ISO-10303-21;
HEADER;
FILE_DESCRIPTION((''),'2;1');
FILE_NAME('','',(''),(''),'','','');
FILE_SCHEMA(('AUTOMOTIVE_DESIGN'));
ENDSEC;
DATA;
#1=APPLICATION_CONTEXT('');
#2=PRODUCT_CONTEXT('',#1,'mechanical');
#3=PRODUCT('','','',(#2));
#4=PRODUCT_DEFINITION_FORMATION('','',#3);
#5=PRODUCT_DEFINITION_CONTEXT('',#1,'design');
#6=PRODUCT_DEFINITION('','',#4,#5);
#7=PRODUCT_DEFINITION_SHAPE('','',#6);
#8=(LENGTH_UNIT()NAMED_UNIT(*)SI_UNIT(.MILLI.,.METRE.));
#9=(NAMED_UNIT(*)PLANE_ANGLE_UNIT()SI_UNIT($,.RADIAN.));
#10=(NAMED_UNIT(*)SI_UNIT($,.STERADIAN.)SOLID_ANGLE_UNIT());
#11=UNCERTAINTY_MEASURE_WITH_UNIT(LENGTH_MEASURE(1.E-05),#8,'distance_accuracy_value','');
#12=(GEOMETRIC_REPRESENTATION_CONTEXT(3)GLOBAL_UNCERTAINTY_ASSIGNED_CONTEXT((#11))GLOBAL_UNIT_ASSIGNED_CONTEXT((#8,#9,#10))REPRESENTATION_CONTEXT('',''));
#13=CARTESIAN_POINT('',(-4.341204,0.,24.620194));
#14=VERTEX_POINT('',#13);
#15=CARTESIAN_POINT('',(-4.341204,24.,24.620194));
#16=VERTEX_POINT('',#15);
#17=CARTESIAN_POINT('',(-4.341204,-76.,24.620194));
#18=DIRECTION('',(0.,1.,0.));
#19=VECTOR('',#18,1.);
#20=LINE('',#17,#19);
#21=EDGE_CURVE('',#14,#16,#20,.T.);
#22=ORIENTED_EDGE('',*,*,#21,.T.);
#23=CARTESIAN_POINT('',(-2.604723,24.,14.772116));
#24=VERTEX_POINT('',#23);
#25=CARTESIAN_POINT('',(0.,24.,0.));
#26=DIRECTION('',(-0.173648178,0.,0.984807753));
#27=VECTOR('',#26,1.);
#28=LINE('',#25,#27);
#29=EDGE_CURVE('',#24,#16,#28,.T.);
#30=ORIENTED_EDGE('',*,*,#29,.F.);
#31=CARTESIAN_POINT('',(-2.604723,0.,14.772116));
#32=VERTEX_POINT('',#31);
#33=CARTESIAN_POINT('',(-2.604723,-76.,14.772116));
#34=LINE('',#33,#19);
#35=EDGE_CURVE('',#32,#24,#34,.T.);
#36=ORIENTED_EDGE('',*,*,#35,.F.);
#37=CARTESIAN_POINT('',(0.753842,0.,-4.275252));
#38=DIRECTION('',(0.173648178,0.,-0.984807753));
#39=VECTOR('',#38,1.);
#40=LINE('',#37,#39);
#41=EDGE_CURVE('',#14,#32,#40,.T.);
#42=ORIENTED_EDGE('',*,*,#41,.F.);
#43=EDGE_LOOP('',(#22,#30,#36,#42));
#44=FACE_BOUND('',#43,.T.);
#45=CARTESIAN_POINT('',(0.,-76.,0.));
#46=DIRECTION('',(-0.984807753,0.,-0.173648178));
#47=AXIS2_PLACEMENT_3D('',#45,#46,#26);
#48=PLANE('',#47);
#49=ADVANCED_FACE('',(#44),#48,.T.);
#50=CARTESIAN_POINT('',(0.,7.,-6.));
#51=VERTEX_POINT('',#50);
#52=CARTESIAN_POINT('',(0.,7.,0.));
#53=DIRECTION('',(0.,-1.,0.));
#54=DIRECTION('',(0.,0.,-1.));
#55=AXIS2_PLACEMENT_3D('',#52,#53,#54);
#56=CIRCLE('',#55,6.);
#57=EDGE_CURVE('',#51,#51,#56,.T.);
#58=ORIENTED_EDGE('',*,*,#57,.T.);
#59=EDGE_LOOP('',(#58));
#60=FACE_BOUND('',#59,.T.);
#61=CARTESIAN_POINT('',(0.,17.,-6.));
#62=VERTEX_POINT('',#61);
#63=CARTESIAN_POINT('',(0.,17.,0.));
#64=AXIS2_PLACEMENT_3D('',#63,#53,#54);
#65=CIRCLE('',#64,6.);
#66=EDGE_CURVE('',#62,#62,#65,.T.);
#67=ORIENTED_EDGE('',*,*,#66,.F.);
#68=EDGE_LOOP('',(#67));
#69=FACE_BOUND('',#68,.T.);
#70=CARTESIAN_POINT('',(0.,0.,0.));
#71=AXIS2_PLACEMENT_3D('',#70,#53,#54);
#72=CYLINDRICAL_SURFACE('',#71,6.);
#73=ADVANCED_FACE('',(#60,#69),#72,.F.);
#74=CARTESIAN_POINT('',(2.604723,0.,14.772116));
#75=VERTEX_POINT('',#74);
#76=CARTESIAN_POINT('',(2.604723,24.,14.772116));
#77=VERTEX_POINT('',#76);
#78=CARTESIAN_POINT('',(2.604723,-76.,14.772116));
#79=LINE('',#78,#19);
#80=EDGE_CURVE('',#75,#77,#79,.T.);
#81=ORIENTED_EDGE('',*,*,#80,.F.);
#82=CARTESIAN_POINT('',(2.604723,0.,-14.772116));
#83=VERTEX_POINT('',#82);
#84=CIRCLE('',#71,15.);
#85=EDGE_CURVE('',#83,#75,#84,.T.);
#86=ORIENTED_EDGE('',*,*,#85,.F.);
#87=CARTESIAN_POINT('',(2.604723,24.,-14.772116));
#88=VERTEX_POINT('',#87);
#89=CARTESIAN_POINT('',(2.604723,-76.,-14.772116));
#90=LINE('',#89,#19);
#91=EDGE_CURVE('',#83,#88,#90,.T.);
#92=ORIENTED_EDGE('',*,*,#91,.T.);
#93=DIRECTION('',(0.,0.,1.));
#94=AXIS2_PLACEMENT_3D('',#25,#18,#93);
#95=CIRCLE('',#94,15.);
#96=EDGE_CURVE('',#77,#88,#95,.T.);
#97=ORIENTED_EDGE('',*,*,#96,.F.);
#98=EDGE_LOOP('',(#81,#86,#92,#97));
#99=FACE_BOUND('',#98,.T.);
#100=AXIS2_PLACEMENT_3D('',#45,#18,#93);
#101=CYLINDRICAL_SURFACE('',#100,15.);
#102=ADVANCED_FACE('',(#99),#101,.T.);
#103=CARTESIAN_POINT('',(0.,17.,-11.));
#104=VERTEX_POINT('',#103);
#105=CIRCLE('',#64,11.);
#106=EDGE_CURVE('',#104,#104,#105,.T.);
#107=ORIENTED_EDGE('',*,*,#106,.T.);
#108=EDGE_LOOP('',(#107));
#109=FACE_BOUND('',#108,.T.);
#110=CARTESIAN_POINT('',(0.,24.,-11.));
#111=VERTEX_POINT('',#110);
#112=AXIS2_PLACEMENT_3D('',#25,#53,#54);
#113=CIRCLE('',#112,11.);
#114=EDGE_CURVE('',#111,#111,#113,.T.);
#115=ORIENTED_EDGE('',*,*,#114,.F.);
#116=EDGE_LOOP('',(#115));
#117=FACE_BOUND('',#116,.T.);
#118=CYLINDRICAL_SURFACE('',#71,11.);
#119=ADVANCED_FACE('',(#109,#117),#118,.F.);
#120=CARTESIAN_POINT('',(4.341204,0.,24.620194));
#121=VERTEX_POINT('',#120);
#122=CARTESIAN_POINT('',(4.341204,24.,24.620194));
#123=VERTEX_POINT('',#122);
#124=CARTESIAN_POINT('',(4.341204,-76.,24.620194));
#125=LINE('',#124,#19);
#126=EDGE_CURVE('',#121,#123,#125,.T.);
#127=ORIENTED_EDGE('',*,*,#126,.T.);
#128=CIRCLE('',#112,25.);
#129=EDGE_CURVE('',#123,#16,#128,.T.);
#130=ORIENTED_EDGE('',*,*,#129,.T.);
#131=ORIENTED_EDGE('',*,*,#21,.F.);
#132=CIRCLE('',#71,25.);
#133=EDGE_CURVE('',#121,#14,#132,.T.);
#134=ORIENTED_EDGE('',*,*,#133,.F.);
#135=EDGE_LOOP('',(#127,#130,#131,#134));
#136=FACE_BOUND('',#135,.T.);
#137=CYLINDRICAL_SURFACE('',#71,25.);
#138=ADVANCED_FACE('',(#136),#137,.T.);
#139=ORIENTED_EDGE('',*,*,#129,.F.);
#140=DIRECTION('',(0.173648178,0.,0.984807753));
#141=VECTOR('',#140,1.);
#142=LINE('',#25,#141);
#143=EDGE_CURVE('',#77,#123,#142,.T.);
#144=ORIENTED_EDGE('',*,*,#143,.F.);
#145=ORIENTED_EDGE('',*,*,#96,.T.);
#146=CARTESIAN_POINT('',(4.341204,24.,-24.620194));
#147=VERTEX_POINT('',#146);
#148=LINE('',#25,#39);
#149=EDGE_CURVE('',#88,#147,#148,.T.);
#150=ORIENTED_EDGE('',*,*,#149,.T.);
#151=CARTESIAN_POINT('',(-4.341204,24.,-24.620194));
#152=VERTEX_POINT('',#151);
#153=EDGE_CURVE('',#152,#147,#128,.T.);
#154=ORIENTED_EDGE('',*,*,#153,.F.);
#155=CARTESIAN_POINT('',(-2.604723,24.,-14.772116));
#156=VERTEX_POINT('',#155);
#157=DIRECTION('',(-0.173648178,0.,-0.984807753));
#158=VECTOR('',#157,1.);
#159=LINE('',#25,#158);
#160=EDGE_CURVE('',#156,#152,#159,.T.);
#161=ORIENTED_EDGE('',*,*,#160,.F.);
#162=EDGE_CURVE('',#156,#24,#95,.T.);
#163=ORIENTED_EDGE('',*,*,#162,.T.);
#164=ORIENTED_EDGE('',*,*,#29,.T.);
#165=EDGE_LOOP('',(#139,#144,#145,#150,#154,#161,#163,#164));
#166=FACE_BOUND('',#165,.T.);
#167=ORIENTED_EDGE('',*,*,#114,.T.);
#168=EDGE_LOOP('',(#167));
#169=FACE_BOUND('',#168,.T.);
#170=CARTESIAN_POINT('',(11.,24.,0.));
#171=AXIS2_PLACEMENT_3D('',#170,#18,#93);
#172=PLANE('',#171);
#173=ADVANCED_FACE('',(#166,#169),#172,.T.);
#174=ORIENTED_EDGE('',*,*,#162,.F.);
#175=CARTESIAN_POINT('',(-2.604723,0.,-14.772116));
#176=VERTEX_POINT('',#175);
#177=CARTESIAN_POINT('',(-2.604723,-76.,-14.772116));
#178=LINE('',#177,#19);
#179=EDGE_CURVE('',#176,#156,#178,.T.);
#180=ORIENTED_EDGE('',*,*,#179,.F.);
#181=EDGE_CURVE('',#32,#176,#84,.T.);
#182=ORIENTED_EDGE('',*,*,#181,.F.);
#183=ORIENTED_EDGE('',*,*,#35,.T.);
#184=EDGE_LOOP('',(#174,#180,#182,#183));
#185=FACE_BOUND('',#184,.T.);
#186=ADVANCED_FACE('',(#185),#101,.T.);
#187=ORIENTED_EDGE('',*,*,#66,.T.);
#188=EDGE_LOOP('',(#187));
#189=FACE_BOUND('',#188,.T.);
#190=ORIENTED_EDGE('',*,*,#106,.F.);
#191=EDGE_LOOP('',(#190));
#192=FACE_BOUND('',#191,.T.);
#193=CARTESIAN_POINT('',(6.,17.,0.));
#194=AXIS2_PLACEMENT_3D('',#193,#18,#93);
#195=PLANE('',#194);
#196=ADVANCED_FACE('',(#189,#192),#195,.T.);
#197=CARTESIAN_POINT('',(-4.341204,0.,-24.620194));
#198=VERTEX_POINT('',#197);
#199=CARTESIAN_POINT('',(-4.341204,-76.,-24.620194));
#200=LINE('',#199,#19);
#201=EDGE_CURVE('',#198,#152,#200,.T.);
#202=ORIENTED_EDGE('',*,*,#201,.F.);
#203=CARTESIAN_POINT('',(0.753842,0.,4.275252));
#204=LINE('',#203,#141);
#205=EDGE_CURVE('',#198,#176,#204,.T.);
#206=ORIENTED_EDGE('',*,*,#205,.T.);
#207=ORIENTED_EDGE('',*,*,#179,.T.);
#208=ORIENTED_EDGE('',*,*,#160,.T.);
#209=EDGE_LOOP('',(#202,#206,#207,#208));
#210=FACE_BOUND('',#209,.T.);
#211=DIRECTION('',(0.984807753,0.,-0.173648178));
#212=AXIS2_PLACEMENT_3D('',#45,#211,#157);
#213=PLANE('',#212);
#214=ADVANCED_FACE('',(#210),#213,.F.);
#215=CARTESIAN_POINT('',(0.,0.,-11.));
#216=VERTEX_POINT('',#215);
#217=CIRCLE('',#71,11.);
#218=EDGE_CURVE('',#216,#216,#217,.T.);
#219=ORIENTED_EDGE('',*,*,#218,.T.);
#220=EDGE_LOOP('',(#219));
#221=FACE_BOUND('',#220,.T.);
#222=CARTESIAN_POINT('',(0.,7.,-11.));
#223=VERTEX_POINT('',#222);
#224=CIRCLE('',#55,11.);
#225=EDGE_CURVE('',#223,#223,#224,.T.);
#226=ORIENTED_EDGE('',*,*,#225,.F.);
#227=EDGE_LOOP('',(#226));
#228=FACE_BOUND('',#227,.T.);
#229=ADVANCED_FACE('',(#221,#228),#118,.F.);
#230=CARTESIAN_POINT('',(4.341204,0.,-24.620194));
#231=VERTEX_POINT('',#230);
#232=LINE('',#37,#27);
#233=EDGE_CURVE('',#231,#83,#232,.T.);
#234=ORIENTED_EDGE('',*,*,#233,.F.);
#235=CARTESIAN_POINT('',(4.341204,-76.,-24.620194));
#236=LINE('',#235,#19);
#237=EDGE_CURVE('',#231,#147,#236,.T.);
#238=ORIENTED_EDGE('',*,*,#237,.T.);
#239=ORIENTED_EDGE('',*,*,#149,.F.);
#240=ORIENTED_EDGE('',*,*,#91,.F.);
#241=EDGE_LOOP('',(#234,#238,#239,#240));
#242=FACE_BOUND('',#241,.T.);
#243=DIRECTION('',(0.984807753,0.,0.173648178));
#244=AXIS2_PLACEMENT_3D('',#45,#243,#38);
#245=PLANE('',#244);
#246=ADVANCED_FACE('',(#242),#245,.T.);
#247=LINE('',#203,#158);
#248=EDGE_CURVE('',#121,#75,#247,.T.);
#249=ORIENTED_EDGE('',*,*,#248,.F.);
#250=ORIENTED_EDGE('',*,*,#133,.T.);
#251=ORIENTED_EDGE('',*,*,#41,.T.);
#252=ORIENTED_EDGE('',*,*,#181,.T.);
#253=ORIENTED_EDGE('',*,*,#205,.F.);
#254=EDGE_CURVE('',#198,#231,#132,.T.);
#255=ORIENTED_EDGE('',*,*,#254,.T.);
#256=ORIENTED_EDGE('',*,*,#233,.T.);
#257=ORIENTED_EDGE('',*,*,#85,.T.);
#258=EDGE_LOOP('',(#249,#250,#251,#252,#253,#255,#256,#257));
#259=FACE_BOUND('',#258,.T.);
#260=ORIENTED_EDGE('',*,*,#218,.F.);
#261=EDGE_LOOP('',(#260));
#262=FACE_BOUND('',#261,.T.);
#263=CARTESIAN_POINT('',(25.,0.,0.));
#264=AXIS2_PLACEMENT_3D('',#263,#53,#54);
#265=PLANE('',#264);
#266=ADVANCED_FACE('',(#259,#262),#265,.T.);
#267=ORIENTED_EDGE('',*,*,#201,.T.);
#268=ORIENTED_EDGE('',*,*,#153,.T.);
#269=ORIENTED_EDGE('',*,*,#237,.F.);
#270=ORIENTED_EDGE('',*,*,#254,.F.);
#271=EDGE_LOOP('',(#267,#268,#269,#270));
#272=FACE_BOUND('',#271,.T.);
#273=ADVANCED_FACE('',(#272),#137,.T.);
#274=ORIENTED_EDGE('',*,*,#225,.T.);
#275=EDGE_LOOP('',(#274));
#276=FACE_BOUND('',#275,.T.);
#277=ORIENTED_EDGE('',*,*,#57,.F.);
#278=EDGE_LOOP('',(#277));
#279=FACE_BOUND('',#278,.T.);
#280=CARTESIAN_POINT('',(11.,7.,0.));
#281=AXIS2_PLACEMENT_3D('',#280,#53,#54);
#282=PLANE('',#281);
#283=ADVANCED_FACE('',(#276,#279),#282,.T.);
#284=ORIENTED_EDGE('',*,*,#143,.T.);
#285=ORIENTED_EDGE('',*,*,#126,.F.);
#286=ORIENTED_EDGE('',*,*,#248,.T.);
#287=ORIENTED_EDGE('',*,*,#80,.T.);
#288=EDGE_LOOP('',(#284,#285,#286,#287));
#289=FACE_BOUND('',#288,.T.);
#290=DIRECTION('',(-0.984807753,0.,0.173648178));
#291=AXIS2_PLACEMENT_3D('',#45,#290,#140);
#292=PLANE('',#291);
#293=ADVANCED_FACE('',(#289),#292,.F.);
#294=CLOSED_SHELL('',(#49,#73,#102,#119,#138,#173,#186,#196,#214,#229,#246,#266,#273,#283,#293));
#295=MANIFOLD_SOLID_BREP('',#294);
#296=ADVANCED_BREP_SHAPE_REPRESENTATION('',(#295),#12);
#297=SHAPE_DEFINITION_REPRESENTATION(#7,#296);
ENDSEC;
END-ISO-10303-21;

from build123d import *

# Parameters (mm, degrees)
CUT_EXTRUDE2_START = -100
CUT_EXTRUDE2_DEPTH = 100


with BuildPart() as part:
    # Sketch1 → Revolve1 (revolve)
    with BuildSketch(Plane.XY, mode=Mode.PRIVATE) as revolve1_sk:
        Polygon((25, 24), (25, 4.595744681), (25, 0), (11, 0), (11, 7), (6, 7), (6, 17), (11, 17), (11, 24), align=None)
    revolve(revolve1_sk.sketch.rotate(Axis((0, 0, 0), (0, 1, 0)), 90), axis=Axis((0, 0, 0), (0, 1, 0)))

    # Sketch2 → Cut-Extrude2 (cut)
    with BuildSketch(Plane(origin=(0, 24, 0), x_dir=(1, 0, 0), z_dir=(0, 1, 0)).offset(CUT_EXTRUDE2_START)):
        with BuildLine():
            Line((4.341204442, 24.620193825), (2.604722665, 14.772116295))
            ThreePointArc((2.604722665, 14.772116295), (10.606601718, 10.606601718), (14.772116295, 2.604722665))
            Line((14.772116295, 2.604722665), (24.620193825, 4.341204442))
            ThreePointArc((24.620193825, 4.341204442), (17.67766953, 17.67766953), (4.341204442, 24.620193825))
        make_face()
        with BuildLine():
            ThreePointArc((15, 0), (14.942920471, -1.307336141), (14.772116295, -2.604722665))
            Line((14.772116295, -2.604722665), (24.620193825, -4.341204442))
            ThreePointArc((24.620193825, -4.341204442), (24.904867452, -2.178893569), (25, 0))
            ThreePointArc((25, 0), (24.904867452, 2.178893569), (24.620193825, 4.341204442))
            Line((24.620193825, 4.341204442), (14.772116295, 2.604722665))
            ThreePointArc((14.772116295, 2.604722665), (14.942920471, 1.307336141), (15, 0))
        make_face()
        with BuildLine():
            Line((24.620193825, -4.341204442), (14.772116295, -2.604722665))
            ThreePointArc((14.772116295, -2.604722665), (10.606601718, -10.606601718), (2.604722665, -14.772116295))
            Line((2.604722665, -14.772116295), (4.341204442, -24.620193825))
            ThreePointArc((4.341204442, -24.620193825), (17.67766953, -17.67766953), (24.620193825, -4.341204442))
        make_face()
        with BuildLine():
            Line((-4.341204442, -24.620193825), (-2.604722665, -14.772116295))
            ThreePointArc((-2.604722665, -14.772116295), (-10.606601718, -10.606601718), (-14.772116295, -2.604722665))
            Line((-14.772116295, -2.604722665), (-24.620193825, -4.341204442))
            ThreePointArc((-24.620193825, -4.341204442), (-17.67766953, -17.67766953), (-4.341204442, -24.620193825))
        make_face()
        with BuildLine():
            ThreePointArc((-14.772116295, -2.604722665), (-15, 0), (-14.772116295, 2.604722665))
            Line((-14.772116295, 2.604722665), (-24.620193825, 4.341204442))
            ThreePointArc((-24.620193825, 4.341204442), (-25, 0), (-24.620193825, -4.341204442))
            Line((-24.620193825, -4.341204442), (-14.772116295, -2.604722665))
        make_face()
        with BuildLine():
            ThreePointArc((-14.772116295, 2.604722665), (-10.606601718, 10.606601718), (-2.604722665, 14.772116295))
            Line((-2.604722665, 14.772116295), (-4.341204442, 24.620193825))
            ThreePointArc((-4.341204442, 24.620193825), (-17.67766953, 17.67766953), (-24.620193825, 4.341204442))
            Line((-24.620193825, 4.341204442), (-14.772116295, 2.604722665))
        make_face()
    extrude(amount=CUT_EXTRUDE2_DEPTH, mode=Mode.SUBTRACT)


solid = part.part
